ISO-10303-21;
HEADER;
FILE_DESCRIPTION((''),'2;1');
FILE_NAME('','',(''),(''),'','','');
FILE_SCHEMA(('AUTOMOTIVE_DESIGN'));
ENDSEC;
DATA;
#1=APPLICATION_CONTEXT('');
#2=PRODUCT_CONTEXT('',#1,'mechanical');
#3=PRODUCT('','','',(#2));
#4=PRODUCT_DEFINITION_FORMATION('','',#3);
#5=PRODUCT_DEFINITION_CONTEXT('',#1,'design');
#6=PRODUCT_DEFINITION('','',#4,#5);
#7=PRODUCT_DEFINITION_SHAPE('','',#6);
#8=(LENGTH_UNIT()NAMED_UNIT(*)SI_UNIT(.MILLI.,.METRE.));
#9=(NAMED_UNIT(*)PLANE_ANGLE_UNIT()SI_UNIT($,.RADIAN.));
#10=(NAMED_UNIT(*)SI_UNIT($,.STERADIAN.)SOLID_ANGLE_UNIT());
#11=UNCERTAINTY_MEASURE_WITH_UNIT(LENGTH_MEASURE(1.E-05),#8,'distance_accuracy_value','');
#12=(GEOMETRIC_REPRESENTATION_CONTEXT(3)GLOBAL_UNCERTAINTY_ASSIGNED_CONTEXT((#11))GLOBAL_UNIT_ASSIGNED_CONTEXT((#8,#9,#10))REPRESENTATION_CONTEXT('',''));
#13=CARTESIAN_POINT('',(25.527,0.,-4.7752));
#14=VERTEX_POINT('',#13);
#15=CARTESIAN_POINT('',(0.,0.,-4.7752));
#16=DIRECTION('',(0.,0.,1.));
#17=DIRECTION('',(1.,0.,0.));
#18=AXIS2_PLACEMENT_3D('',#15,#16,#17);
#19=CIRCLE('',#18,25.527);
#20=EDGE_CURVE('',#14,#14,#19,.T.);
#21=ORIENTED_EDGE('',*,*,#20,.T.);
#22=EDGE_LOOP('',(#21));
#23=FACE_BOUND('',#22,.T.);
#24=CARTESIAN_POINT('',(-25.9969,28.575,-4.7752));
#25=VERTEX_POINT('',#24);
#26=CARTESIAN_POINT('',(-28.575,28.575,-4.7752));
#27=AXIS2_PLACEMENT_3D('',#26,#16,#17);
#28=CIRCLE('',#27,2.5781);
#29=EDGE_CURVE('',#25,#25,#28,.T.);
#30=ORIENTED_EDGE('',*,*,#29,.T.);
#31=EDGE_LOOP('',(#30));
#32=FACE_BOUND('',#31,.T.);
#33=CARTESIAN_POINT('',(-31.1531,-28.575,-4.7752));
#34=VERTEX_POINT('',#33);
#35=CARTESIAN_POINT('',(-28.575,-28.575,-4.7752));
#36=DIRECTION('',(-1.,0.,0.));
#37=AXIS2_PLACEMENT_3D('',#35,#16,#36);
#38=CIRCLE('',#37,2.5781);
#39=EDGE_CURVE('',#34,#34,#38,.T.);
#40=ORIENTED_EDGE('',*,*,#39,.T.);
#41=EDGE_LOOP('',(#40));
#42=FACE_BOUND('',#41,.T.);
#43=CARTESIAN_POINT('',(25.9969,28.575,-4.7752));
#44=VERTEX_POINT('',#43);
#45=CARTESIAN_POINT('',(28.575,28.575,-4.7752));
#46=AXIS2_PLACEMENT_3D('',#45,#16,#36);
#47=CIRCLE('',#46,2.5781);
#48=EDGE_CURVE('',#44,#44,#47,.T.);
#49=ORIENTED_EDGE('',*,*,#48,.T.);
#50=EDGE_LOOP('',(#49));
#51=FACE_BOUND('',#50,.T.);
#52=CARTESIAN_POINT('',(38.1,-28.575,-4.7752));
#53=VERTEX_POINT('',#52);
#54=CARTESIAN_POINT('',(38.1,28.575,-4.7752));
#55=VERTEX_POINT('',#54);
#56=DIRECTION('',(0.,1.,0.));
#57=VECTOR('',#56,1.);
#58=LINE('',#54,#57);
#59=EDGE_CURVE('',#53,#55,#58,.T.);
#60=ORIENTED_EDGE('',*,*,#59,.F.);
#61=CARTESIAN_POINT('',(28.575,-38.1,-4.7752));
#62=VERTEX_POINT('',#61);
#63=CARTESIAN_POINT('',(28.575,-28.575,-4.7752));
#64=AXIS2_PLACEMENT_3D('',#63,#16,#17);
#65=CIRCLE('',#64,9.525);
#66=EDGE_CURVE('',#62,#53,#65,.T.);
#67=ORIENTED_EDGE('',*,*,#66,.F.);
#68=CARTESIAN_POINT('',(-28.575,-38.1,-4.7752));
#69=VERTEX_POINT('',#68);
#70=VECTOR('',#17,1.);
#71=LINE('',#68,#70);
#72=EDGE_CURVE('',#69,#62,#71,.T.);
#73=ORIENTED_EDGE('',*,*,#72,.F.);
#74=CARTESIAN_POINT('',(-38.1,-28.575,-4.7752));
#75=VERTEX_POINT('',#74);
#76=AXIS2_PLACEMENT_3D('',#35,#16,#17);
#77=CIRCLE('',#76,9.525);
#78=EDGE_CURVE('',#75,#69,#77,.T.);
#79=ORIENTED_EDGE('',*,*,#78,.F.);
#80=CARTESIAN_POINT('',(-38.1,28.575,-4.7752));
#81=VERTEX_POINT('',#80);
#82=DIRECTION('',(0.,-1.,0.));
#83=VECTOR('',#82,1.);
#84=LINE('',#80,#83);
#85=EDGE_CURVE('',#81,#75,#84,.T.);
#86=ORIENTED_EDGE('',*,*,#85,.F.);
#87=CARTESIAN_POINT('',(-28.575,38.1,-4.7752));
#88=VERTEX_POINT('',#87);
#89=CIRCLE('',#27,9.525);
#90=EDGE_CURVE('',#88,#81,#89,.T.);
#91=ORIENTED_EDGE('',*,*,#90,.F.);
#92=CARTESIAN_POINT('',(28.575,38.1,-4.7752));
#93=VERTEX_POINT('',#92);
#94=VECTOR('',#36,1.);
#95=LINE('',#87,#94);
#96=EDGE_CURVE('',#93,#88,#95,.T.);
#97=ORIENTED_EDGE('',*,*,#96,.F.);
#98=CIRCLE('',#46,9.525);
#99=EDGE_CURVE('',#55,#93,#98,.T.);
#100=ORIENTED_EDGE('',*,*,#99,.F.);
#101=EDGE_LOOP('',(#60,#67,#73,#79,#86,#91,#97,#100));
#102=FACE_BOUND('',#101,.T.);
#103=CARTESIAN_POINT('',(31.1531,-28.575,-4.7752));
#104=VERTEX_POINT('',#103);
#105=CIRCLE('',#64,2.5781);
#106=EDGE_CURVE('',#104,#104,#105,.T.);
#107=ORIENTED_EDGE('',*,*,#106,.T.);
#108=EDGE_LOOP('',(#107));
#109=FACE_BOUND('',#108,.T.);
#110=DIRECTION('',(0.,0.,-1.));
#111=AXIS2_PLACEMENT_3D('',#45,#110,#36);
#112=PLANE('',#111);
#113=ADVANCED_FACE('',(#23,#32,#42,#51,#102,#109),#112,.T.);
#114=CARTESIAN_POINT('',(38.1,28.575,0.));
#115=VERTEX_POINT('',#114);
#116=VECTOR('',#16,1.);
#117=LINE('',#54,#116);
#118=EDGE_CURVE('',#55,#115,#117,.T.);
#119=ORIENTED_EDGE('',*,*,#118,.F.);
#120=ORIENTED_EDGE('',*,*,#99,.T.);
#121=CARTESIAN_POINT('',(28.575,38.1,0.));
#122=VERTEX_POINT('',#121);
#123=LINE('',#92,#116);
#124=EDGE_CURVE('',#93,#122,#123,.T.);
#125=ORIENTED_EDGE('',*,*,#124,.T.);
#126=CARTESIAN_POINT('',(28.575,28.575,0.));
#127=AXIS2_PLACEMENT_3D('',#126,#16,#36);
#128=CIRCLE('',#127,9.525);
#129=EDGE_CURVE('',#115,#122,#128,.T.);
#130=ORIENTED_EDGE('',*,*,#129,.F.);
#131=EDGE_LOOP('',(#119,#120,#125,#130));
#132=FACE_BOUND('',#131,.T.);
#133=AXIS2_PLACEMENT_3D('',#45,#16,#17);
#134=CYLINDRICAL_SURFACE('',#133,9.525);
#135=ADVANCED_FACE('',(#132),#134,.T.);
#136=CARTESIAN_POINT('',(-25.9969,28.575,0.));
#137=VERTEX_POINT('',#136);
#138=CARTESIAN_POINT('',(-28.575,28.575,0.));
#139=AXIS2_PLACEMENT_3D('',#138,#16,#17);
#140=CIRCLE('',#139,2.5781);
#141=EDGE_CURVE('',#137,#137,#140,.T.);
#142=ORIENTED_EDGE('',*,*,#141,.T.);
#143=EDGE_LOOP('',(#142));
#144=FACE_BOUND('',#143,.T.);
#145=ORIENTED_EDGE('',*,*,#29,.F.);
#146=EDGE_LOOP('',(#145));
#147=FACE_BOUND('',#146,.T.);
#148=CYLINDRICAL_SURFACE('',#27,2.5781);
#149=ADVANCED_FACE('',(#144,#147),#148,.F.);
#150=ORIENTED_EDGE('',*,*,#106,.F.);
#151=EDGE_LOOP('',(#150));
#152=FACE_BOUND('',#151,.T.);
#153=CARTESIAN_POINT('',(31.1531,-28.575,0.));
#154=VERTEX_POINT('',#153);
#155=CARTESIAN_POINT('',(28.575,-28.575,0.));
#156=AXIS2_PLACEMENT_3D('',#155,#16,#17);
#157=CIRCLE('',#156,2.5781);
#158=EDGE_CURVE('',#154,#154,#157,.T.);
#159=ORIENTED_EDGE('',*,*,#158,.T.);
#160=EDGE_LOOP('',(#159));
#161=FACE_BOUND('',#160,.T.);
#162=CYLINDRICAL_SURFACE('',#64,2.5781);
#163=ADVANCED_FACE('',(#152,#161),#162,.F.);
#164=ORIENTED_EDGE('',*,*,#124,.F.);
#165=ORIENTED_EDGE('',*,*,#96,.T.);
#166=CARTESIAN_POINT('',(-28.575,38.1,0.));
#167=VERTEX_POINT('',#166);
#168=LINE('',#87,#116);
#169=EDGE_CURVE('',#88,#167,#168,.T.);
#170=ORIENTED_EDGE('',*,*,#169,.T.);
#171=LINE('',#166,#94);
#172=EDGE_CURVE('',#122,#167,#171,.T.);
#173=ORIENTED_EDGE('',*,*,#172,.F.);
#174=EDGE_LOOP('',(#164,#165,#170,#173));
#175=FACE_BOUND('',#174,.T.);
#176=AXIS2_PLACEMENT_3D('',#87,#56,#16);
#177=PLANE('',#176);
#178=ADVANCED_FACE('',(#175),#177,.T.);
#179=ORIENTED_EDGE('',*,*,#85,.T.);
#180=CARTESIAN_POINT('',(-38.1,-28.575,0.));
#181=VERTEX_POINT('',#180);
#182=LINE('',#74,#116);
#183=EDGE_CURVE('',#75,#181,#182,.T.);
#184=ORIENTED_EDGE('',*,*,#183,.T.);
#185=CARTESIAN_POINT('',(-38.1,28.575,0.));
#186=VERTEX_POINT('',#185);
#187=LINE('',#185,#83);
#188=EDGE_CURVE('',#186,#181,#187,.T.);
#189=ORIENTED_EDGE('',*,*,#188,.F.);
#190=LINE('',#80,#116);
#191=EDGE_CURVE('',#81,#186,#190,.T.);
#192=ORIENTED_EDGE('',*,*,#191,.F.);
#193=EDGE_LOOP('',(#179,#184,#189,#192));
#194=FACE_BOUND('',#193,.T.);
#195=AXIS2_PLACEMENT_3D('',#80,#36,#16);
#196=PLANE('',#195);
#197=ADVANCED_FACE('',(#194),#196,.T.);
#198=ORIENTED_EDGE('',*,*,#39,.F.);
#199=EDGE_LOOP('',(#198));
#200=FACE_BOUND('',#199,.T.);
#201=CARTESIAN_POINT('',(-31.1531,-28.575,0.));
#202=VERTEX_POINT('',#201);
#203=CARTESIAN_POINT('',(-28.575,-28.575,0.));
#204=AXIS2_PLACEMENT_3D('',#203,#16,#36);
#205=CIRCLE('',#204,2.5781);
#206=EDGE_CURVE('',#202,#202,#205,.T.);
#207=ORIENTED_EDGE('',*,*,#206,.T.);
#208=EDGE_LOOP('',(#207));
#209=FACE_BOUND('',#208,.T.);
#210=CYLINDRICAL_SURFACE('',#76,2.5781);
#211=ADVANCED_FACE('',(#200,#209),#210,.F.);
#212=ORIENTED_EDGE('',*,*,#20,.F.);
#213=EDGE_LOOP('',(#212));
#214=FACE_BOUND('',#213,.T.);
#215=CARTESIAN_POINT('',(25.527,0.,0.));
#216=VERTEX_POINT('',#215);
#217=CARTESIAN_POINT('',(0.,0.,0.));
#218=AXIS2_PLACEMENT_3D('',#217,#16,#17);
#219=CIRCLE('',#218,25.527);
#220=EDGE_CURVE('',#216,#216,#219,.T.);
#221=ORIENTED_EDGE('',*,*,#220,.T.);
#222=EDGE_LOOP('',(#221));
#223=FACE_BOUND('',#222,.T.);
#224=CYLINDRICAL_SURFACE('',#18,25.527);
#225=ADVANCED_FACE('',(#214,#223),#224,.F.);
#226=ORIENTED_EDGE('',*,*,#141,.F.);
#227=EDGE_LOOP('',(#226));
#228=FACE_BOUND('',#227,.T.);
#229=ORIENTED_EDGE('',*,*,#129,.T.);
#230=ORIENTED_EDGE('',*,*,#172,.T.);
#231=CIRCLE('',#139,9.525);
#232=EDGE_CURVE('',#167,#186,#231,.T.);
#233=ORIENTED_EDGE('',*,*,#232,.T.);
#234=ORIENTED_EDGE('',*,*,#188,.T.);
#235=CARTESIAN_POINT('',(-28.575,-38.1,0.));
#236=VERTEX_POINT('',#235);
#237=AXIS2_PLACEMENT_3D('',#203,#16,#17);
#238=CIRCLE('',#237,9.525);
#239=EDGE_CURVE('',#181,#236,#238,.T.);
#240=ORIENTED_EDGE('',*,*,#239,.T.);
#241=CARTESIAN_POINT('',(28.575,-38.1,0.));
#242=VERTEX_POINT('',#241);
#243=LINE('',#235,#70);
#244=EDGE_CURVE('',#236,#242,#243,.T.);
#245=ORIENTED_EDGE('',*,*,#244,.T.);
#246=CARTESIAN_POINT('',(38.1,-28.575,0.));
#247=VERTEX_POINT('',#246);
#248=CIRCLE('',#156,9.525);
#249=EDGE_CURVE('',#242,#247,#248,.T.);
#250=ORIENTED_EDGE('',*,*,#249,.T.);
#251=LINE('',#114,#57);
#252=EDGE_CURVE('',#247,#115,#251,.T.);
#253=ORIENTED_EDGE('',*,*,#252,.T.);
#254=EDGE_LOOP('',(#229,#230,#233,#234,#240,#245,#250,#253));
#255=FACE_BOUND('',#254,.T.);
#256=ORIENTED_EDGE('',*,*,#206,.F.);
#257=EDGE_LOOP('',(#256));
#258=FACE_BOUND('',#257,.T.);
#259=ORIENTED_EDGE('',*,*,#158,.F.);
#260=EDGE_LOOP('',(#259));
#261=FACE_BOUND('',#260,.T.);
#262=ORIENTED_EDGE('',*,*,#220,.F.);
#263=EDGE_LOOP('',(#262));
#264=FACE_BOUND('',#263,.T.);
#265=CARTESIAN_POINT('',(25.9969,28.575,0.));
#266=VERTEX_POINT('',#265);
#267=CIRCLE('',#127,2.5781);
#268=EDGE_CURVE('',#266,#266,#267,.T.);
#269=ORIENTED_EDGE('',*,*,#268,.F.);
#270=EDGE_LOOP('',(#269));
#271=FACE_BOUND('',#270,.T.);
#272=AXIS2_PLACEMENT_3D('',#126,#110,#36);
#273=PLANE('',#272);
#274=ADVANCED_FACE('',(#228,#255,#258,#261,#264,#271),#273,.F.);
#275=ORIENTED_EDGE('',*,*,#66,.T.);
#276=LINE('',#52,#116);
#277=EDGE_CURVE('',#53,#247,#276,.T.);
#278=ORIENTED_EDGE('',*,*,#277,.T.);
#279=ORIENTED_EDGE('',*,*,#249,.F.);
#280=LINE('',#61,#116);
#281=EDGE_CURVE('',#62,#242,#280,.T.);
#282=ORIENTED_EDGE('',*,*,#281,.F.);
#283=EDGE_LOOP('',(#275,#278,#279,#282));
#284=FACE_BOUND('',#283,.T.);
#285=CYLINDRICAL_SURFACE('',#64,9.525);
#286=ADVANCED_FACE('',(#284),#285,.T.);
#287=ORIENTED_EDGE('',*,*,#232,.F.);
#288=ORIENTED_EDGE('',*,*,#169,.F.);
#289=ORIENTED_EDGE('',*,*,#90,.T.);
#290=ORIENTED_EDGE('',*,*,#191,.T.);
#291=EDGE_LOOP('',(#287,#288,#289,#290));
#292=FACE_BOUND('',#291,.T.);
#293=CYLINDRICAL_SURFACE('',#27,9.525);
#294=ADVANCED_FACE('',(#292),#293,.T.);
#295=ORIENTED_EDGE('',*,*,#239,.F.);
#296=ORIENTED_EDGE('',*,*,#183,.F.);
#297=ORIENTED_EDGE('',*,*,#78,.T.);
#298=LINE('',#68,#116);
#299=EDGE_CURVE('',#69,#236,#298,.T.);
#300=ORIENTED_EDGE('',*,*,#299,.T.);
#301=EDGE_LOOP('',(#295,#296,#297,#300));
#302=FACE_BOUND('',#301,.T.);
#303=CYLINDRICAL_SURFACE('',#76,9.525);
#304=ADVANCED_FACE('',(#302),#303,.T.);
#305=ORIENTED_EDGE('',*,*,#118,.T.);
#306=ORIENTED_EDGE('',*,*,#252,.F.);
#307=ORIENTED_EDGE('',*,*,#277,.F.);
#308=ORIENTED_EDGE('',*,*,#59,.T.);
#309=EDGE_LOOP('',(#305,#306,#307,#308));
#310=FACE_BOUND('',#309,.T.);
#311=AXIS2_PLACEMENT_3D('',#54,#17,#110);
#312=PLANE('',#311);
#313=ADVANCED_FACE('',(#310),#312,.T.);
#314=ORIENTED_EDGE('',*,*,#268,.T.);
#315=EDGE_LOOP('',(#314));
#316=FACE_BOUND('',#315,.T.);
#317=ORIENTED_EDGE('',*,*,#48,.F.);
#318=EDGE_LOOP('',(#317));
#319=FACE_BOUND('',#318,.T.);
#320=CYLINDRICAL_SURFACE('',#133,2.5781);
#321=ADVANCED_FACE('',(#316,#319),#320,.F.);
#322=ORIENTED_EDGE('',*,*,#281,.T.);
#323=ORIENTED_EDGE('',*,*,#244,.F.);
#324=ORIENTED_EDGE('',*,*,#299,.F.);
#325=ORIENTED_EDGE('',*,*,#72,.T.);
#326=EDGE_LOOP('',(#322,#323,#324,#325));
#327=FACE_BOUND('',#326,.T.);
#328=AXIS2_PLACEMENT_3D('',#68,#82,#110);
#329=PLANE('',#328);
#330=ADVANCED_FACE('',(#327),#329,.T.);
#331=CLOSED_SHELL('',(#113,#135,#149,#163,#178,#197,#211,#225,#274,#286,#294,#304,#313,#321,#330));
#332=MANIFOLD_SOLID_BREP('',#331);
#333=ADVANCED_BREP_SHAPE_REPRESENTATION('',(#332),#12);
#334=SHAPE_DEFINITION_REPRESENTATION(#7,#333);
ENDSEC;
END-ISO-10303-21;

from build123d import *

# Parameters (mm, degrees)
SKETCH1_R      = 25.527
SKETCH1_R_2    = 2.5781
EXTRUDE1_DEPTH = 4.7752


with BuildPart() as part:
    # Sketch1 → Extrude1 (new body)
    with BuildSketch(Plane.XY):
        with BuildLine():
            Line((-28.575, 38.1), (28.575, 38.1))
            ThreePointArc((28.575, 38.1), (35.310192091, 35.310192091), (38.1, 28.575))
            Line((38.1, 28.575), (38.1, -28.575))
            ThreePointArc((38.1, -28.575), (35.310192091, -35.310192091), (28.575, -38.1))
            Line((28.575, -38.1), (-28.575, -38.1))
            ThreePointArc((-28.575, -38.1), (-35.310192091, -35.310192091), (-38.1, -28.575))
            Line((-38.1, -28.575), (-38.1, 28.575))
            ThreePointArc((-38.1, 28.575), (-35.310192091, 35.310192091), (-28.575, 38.1))
        make_face()
        Circle(SKETCH1_R, mode=Mode.SUBTRACT)
        with Locations((-28.575, 28.575)):
            Circle(SKETCH1_R_2, mode=Mode.SUBTRACT)
        with Locations(Location((28.575, 28.575, 0), (0, 0, 180))):
            Circle(SKETCH1_R_2, mode=Mode.SUBTRACT)
        with Locations(Location((-28.575, -28.575, 0), (0, 0, 180))):
            Circle(SKETCH1_R_2, mode=Mode.SUBTRACT)
        with Locations((28.575, -28.575)):
            Circle(SKETCH1_R_2, mode=Mode.SUBTRACT)
    extrude(amount=-EXTRUDE1_DEPTH)


solid = part.part
